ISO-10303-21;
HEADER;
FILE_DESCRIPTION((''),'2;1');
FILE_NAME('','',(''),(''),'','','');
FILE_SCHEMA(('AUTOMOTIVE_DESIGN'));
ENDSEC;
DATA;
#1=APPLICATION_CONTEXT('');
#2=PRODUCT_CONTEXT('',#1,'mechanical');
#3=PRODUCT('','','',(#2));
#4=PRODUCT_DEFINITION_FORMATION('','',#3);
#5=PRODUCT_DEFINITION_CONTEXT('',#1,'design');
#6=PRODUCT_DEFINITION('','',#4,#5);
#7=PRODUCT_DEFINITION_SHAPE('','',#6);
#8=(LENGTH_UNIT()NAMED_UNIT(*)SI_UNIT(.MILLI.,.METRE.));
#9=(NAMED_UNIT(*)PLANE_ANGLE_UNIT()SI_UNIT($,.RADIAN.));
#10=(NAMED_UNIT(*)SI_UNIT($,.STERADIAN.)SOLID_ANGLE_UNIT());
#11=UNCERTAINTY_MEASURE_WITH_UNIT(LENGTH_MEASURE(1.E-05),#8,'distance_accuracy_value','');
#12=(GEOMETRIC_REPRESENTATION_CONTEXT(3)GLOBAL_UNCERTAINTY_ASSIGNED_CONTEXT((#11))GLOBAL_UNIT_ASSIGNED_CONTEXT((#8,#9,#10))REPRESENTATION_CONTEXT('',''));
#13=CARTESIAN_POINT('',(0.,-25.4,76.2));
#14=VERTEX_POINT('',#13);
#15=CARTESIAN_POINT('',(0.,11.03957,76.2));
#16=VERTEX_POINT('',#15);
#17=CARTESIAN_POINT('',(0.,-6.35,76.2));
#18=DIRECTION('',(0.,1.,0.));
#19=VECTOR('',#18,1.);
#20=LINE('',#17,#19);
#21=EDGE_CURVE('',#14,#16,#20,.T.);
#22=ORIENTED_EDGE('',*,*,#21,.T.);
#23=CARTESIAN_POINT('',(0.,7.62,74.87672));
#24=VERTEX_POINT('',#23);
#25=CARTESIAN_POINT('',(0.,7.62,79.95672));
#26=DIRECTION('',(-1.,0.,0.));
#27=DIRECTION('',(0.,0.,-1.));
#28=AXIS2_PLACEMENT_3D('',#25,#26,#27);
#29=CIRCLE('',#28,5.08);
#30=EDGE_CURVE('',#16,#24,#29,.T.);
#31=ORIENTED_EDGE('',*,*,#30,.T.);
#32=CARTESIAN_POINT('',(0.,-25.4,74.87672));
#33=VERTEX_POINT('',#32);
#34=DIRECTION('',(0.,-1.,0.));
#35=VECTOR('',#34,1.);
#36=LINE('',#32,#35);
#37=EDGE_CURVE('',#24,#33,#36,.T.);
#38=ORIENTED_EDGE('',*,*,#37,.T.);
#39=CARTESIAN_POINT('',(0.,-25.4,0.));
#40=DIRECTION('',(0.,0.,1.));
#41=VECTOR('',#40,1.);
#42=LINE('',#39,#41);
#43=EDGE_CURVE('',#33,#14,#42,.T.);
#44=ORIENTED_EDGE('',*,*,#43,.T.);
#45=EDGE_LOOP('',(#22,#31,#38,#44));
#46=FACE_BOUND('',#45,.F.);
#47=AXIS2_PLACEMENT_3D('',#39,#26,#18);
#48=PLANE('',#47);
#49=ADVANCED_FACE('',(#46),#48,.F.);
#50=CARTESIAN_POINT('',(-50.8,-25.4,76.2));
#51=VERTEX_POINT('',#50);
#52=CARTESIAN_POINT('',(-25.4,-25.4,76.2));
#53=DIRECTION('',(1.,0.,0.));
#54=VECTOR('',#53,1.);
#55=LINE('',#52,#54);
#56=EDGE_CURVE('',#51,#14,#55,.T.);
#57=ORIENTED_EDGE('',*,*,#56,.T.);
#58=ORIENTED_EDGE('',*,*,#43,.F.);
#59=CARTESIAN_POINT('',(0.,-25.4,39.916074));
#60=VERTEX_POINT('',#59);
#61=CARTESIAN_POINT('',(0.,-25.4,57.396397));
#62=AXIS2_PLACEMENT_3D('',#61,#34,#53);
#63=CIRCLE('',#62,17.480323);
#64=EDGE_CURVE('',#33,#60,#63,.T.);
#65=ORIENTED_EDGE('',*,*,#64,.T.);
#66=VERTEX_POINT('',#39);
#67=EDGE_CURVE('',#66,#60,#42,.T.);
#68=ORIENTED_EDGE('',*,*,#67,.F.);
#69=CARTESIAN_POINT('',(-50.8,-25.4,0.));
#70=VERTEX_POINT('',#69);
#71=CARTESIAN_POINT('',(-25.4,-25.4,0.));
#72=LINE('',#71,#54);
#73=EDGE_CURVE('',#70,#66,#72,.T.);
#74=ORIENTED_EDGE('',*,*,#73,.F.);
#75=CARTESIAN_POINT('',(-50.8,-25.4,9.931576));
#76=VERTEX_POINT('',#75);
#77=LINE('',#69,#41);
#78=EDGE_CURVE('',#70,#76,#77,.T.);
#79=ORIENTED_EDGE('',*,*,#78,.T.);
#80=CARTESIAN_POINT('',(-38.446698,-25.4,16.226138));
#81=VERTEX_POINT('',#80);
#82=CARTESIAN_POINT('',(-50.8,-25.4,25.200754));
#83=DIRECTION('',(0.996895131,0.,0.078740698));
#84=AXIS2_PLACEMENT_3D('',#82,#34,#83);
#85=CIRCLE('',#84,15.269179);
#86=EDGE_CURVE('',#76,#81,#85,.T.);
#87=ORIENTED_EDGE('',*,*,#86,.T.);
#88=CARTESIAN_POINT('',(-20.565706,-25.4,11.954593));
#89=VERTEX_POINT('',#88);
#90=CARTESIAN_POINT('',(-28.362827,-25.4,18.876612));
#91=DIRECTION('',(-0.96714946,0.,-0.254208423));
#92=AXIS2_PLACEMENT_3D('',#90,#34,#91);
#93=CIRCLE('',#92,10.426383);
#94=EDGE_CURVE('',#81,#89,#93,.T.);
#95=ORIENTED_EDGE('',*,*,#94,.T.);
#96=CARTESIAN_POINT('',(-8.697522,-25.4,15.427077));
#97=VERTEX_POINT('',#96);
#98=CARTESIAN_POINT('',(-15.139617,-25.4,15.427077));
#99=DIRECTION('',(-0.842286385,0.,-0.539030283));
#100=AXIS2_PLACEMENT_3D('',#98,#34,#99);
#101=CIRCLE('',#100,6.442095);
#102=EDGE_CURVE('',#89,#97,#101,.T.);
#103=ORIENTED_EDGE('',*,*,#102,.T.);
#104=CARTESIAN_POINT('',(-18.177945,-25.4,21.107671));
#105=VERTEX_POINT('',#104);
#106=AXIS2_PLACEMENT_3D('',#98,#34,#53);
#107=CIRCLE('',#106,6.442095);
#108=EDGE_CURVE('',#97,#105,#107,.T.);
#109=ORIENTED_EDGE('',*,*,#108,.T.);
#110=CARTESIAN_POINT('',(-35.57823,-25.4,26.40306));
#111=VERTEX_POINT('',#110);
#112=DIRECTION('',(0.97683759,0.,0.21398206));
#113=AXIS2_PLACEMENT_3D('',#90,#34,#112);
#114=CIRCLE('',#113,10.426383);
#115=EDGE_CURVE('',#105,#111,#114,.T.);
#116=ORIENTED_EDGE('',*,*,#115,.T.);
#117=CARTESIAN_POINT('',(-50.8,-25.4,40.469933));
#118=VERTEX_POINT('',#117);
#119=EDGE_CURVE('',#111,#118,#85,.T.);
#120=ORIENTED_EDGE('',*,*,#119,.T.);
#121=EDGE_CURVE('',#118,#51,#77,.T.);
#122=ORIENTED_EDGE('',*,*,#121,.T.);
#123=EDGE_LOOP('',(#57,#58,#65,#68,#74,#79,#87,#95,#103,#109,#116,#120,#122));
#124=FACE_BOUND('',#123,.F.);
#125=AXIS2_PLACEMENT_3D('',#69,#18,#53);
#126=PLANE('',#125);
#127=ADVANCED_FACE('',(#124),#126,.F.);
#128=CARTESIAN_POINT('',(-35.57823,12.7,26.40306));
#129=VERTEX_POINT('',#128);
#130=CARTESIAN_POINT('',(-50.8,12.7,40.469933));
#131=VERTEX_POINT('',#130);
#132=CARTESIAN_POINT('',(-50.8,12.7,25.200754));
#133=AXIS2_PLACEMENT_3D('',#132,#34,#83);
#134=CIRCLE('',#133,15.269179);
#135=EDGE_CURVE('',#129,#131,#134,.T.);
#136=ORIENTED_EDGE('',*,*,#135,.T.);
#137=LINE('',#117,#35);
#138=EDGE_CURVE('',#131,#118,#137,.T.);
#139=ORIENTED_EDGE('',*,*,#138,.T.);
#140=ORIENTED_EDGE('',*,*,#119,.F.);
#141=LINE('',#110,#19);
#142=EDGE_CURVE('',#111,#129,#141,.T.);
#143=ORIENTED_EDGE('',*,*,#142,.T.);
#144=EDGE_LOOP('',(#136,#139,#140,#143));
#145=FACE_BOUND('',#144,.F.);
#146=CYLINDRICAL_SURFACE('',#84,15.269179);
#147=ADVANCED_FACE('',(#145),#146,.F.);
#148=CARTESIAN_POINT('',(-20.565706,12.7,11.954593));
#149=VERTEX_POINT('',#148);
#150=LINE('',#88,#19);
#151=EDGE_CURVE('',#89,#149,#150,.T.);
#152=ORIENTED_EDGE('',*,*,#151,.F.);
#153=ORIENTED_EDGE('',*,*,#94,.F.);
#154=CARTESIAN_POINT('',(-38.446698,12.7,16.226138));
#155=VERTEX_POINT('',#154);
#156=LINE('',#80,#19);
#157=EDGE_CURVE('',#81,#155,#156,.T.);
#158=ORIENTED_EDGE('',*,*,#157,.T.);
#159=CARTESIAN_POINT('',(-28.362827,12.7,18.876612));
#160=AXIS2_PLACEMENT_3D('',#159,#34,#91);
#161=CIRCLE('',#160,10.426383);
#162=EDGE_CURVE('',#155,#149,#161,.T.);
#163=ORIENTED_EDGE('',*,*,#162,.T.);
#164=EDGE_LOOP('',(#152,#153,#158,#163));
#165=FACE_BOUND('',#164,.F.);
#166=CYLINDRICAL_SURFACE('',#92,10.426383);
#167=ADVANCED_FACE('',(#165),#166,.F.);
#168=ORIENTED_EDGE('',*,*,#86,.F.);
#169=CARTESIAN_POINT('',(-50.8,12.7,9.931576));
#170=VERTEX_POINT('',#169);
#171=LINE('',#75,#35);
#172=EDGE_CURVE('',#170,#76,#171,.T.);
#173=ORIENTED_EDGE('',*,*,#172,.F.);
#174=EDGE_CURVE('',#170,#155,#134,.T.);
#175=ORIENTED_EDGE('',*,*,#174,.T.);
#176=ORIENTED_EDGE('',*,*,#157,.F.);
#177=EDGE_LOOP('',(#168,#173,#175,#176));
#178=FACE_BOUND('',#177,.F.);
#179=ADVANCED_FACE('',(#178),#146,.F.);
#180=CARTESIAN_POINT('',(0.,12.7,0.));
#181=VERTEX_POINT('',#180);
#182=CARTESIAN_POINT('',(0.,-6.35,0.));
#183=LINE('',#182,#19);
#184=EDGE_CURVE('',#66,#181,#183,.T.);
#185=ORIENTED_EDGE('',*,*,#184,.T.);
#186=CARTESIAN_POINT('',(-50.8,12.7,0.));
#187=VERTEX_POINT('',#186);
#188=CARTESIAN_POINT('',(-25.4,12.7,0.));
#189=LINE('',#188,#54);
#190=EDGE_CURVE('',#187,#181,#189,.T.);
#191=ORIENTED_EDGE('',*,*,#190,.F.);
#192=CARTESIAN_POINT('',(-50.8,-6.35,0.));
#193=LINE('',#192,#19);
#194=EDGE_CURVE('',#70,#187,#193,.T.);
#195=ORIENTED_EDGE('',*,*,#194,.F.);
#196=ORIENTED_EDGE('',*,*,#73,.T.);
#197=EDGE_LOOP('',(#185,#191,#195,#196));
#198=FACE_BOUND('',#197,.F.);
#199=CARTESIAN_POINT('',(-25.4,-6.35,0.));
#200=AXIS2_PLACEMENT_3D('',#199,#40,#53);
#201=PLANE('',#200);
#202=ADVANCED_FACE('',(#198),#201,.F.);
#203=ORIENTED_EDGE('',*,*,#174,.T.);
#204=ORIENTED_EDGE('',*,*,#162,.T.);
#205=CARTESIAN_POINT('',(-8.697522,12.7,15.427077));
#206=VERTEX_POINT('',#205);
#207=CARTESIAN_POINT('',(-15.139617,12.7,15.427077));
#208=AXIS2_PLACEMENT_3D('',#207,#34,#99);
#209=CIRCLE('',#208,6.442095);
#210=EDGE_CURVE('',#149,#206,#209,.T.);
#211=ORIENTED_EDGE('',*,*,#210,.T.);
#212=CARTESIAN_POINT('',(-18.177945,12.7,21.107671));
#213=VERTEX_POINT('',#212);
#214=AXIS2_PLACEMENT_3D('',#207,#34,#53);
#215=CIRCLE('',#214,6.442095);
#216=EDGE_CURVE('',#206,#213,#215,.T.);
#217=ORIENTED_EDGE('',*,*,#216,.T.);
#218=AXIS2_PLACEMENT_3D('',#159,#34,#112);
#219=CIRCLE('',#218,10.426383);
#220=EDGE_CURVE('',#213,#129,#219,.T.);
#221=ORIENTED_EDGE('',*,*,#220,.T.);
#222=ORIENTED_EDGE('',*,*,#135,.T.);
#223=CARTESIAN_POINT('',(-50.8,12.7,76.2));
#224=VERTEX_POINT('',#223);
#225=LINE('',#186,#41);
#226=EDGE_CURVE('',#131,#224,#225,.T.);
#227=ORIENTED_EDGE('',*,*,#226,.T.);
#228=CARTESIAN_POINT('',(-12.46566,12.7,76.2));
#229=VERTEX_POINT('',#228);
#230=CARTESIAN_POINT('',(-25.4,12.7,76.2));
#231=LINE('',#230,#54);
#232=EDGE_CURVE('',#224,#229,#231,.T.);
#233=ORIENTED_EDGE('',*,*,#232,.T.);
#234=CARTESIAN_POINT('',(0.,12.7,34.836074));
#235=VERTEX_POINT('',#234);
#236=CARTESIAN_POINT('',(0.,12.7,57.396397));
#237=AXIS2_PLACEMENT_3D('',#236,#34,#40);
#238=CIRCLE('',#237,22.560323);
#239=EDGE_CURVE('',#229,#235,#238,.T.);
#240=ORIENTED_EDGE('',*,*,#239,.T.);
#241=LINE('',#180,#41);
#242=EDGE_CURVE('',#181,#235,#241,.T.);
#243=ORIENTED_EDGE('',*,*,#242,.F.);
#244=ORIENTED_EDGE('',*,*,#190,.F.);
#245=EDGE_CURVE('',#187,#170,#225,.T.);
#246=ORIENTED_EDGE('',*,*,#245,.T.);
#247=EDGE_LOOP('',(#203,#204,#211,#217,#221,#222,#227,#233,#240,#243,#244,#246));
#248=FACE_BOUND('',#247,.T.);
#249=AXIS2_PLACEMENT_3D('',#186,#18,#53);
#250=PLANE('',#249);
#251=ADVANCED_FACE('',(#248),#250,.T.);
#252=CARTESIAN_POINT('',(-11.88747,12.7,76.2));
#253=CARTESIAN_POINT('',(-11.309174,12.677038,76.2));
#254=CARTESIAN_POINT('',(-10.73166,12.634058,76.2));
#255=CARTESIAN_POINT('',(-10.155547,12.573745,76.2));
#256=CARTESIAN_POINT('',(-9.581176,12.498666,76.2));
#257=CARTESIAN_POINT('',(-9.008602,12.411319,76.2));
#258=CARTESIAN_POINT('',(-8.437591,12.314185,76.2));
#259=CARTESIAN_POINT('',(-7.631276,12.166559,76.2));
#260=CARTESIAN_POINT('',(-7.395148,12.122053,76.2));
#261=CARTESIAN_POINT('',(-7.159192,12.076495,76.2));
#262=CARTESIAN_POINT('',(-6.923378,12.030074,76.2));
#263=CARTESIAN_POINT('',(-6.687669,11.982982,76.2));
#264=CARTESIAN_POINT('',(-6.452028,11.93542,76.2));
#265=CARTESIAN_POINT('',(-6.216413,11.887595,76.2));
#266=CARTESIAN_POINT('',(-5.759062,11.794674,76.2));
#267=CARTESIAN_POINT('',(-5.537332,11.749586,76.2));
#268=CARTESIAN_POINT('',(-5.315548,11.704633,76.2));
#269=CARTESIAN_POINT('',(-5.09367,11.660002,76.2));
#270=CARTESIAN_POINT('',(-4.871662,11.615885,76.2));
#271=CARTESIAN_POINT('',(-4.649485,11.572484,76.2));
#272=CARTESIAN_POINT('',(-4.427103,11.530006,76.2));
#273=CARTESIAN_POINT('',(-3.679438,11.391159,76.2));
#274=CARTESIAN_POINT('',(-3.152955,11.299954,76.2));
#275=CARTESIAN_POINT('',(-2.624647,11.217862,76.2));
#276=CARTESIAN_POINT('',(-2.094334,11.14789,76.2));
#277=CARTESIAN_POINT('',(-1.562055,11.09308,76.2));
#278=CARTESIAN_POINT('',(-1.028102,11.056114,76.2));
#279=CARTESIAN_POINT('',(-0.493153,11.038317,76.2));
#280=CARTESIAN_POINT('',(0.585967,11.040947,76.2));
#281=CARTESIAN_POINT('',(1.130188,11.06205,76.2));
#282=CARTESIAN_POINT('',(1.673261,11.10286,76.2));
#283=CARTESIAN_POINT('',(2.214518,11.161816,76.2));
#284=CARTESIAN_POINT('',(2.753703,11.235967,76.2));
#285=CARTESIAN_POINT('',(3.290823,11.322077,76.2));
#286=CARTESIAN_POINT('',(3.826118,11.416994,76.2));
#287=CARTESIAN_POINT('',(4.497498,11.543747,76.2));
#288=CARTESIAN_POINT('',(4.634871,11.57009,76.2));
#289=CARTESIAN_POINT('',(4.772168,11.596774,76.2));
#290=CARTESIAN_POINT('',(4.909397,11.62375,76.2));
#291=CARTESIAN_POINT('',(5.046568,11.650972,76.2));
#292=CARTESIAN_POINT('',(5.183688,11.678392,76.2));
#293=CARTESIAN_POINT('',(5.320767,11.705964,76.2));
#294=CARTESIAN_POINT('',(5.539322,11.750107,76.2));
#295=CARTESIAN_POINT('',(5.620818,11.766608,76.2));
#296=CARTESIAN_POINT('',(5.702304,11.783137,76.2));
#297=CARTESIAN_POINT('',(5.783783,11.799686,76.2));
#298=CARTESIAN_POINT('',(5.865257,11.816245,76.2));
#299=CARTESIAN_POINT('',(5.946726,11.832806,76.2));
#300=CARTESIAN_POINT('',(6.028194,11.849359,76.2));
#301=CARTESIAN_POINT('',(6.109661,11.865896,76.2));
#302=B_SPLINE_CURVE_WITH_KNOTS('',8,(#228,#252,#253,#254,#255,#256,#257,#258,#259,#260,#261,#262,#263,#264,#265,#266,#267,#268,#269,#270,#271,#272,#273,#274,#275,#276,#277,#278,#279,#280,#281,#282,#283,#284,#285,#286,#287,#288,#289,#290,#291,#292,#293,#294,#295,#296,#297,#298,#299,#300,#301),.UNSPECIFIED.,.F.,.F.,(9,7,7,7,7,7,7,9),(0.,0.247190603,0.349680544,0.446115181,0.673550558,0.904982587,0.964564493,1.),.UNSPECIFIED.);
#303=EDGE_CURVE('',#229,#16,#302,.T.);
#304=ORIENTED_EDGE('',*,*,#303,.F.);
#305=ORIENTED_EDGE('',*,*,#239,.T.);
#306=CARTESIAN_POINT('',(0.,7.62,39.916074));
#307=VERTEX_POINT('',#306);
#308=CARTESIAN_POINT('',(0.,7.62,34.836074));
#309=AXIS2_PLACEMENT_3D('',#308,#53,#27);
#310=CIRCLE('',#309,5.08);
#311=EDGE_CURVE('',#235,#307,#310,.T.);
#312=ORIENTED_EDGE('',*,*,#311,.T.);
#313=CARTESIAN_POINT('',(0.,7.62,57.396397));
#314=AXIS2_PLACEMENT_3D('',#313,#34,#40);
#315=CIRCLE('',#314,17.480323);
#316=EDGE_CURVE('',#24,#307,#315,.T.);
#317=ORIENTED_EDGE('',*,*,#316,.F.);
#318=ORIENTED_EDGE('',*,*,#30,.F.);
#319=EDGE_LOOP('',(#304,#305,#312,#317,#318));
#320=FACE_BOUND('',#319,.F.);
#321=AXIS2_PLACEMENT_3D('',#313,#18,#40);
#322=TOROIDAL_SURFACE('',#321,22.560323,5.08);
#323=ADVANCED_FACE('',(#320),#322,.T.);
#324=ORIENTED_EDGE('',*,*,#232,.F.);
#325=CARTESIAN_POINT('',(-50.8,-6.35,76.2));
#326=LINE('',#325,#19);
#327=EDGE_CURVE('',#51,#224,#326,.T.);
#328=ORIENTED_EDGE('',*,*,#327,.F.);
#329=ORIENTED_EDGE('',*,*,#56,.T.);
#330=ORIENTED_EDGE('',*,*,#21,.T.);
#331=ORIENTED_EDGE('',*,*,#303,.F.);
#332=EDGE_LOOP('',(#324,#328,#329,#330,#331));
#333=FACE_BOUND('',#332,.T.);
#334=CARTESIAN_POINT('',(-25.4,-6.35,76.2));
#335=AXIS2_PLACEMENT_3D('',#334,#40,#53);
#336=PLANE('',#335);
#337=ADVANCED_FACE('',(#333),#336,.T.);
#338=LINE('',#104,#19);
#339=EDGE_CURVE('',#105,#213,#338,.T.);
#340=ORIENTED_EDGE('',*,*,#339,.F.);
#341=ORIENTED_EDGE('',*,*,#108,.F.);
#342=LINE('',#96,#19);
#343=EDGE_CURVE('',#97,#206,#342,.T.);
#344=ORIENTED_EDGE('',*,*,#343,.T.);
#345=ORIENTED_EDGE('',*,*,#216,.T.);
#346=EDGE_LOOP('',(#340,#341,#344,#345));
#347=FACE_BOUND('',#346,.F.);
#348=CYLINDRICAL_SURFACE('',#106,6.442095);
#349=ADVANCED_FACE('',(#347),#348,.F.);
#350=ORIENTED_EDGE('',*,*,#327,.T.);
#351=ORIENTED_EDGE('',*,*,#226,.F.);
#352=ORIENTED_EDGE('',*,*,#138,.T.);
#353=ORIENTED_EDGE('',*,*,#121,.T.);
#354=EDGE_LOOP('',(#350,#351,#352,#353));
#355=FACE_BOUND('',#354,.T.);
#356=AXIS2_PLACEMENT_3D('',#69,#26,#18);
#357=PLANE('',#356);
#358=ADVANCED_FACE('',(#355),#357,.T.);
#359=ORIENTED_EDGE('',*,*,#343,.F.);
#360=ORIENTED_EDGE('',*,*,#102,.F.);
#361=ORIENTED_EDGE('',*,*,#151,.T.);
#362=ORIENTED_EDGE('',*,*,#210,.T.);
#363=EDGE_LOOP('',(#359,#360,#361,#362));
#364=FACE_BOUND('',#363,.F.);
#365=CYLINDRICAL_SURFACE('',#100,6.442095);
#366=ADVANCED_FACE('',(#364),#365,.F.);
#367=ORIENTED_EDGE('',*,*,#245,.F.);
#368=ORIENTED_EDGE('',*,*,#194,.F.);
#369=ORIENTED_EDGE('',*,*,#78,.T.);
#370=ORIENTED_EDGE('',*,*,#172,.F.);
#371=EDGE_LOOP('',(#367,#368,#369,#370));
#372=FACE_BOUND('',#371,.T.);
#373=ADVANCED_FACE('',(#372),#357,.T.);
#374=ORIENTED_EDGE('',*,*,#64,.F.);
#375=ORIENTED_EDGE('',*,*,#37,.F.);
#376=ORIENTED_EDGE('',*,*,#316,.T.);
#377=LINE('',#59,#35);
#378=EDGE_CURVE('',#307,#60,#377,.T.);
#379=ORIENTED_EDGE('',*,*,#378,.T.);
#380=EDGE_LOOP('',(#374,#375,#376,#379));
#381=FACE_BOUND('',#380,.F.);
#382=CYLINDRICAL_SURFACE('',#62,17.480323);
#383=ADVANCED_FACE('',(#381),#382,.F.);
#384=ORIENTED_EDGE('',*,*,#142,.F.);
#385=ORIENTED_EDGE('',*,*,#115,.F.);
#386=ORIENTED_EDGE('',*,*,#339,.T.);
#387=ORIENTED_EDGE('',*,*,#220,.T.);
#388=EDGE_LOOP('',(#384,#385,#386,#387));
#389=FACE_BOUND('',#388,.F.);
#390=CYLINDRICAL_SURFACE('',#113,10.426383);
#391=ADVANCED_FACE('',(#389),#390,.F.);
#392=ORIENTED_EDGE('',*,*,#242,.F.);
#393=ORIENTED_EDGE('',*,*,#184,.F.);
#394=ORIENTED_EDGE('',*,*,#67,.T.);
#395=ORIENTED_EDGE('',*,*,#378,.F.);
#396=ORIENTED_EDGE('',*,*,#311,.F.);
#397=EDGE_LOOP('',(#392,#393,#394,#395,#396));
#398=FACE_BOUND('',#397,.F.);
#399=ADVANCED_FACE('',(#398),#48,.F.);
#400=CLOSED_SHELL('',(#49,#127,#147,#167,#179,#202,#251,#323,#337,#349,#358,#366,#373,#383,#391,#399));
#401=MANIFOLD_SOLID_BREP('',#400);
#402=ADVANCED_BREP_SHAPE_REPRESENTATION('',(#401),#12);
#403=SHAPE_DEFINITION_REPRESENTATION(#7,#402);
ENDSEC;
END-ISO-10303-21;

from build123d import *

# Parameters (mm, degrees)
F0_W     = 50.8
F0_H     = 38.1
F1_DEPTH = 76.2
F2_R     = 17.4803225392
F3_DEPTH = 38.101
F4_R     = 5.08


with BuildPart() as f1:
    # F0 (on Top) → F1 (new body)
    with BuildSketch(Plane.XY):
        with Locations((-25.4, -6.35)):
            Rectangle(F0_W, F0_H)
    extrude(amount=F1_DEPTH)

    # F2 (on face) → F3 (cut, through all)
    with BuildSketch(Plane.XZ.offset(25.4)):
        with BuildLine():
            ThreePointArc((-38.4466977771, 16.2261378818), (-36.2780752576, 20.4825429519), (-35.530821321, 25.2007544041))
            ThreePointArc((-35.530821321, 25.2007544041), (-35.5426781239, 25.802374467), (-35.5782301185, 26.4030601914))
            ThreePointArc((-35.5782301185, 26.4030601914), (-38.3981973117, 21.7051818884), (-38.4466977771, 16.2261378818))
        make_face()
        with BuildLine():
            ThreePointArc((-35.5782301185, 26.4030601914), (-35.5426781239, 25.802374467), (-35.530821321, 25.2007544041))
            ThreePointArc((-35.530821321, 25.2007544041), (-36.2780752576, 20.4825429519), (-38.4466977771, 16.2261378818))
            ThreePointArc((-38.4466977771, 16.2261378818), (-30.7853938644, 8.7355753596), (-20.5657055583, 11.9545931397))
            ThreePointArc((-20.5657055583, 11.9545931397), (-21.3730987717, 17.05320374), (-18.1779448175, 21.1076710371))
            ThreePointArc((-18.1779448175, 21.1076710371), (-25.3272484905, 28.8513160491), (-35.5782301185, 26.4030601914))
        make_face()
        with BuildLine():
            ThreePointArc((-38.4466977771, 16.2261378818), (-38.3981973117, 21.7051818884), (-35.5782301185, 26.4030601914))
            ThreePointArc((-35.5782301185, 26.4030601914), (-65.4965501841, 29.3431245248), (-38.4466977771, 16.2261378818))
        make_face()
        with BuildLine():
            ThreePointArc((-8.6975224724, 15.4270771891), (-11.8284701462, 20.9530964233), (-18.1779448175, 21.1076710371))
            ThreePointArc((-18.1779448175, 21.1076710371), (-17.9969955306, 19.9986578535), (-17.9364446703, 18.8766121864))
            ThreePointArc((-17.9364446703, 18.8766121864), (-18.6158988239, 15.1743371933), (-20.5657055583, 11.9545931397))
            ThreePointArc((-20.5657055583, 11.9545931397), (-13.3305831879, 9.2441993148), (-8.6975224724, 15.4270771891))
        make_face()
        with BuildLine():
            ThreePointArc((-17.9364446703, 18.8766121864), (-17.9969955306, 19.9986578535), (-18.1779448175, 21.1076710371))
            ThreePointArc((-18.1779448175, 21.1076710371), (-21.3730987717, 17.05320374), (-20.5657055583, 11.9545931397))
            ThreePointArc((-20.5657055583, 11.9545931397), (-18.6158988239, 15.1743371933), (-17.9364446703, 18.8766121864))
        make_face()
        with Locations((0, 57.3963969946)):
            Circle(F2_R)
    extrude(amount=-F3_DEPTH, mode=Mode.SUBTRACT)

    # F4
    f4_edges = [f1.edges().sort_by_distance(p)[0] for p in [
        (-17.480323, 12.7, 57.396397),
    ]]
    fillet(f4_edges, radius=F4_R)


solid = f1.part
